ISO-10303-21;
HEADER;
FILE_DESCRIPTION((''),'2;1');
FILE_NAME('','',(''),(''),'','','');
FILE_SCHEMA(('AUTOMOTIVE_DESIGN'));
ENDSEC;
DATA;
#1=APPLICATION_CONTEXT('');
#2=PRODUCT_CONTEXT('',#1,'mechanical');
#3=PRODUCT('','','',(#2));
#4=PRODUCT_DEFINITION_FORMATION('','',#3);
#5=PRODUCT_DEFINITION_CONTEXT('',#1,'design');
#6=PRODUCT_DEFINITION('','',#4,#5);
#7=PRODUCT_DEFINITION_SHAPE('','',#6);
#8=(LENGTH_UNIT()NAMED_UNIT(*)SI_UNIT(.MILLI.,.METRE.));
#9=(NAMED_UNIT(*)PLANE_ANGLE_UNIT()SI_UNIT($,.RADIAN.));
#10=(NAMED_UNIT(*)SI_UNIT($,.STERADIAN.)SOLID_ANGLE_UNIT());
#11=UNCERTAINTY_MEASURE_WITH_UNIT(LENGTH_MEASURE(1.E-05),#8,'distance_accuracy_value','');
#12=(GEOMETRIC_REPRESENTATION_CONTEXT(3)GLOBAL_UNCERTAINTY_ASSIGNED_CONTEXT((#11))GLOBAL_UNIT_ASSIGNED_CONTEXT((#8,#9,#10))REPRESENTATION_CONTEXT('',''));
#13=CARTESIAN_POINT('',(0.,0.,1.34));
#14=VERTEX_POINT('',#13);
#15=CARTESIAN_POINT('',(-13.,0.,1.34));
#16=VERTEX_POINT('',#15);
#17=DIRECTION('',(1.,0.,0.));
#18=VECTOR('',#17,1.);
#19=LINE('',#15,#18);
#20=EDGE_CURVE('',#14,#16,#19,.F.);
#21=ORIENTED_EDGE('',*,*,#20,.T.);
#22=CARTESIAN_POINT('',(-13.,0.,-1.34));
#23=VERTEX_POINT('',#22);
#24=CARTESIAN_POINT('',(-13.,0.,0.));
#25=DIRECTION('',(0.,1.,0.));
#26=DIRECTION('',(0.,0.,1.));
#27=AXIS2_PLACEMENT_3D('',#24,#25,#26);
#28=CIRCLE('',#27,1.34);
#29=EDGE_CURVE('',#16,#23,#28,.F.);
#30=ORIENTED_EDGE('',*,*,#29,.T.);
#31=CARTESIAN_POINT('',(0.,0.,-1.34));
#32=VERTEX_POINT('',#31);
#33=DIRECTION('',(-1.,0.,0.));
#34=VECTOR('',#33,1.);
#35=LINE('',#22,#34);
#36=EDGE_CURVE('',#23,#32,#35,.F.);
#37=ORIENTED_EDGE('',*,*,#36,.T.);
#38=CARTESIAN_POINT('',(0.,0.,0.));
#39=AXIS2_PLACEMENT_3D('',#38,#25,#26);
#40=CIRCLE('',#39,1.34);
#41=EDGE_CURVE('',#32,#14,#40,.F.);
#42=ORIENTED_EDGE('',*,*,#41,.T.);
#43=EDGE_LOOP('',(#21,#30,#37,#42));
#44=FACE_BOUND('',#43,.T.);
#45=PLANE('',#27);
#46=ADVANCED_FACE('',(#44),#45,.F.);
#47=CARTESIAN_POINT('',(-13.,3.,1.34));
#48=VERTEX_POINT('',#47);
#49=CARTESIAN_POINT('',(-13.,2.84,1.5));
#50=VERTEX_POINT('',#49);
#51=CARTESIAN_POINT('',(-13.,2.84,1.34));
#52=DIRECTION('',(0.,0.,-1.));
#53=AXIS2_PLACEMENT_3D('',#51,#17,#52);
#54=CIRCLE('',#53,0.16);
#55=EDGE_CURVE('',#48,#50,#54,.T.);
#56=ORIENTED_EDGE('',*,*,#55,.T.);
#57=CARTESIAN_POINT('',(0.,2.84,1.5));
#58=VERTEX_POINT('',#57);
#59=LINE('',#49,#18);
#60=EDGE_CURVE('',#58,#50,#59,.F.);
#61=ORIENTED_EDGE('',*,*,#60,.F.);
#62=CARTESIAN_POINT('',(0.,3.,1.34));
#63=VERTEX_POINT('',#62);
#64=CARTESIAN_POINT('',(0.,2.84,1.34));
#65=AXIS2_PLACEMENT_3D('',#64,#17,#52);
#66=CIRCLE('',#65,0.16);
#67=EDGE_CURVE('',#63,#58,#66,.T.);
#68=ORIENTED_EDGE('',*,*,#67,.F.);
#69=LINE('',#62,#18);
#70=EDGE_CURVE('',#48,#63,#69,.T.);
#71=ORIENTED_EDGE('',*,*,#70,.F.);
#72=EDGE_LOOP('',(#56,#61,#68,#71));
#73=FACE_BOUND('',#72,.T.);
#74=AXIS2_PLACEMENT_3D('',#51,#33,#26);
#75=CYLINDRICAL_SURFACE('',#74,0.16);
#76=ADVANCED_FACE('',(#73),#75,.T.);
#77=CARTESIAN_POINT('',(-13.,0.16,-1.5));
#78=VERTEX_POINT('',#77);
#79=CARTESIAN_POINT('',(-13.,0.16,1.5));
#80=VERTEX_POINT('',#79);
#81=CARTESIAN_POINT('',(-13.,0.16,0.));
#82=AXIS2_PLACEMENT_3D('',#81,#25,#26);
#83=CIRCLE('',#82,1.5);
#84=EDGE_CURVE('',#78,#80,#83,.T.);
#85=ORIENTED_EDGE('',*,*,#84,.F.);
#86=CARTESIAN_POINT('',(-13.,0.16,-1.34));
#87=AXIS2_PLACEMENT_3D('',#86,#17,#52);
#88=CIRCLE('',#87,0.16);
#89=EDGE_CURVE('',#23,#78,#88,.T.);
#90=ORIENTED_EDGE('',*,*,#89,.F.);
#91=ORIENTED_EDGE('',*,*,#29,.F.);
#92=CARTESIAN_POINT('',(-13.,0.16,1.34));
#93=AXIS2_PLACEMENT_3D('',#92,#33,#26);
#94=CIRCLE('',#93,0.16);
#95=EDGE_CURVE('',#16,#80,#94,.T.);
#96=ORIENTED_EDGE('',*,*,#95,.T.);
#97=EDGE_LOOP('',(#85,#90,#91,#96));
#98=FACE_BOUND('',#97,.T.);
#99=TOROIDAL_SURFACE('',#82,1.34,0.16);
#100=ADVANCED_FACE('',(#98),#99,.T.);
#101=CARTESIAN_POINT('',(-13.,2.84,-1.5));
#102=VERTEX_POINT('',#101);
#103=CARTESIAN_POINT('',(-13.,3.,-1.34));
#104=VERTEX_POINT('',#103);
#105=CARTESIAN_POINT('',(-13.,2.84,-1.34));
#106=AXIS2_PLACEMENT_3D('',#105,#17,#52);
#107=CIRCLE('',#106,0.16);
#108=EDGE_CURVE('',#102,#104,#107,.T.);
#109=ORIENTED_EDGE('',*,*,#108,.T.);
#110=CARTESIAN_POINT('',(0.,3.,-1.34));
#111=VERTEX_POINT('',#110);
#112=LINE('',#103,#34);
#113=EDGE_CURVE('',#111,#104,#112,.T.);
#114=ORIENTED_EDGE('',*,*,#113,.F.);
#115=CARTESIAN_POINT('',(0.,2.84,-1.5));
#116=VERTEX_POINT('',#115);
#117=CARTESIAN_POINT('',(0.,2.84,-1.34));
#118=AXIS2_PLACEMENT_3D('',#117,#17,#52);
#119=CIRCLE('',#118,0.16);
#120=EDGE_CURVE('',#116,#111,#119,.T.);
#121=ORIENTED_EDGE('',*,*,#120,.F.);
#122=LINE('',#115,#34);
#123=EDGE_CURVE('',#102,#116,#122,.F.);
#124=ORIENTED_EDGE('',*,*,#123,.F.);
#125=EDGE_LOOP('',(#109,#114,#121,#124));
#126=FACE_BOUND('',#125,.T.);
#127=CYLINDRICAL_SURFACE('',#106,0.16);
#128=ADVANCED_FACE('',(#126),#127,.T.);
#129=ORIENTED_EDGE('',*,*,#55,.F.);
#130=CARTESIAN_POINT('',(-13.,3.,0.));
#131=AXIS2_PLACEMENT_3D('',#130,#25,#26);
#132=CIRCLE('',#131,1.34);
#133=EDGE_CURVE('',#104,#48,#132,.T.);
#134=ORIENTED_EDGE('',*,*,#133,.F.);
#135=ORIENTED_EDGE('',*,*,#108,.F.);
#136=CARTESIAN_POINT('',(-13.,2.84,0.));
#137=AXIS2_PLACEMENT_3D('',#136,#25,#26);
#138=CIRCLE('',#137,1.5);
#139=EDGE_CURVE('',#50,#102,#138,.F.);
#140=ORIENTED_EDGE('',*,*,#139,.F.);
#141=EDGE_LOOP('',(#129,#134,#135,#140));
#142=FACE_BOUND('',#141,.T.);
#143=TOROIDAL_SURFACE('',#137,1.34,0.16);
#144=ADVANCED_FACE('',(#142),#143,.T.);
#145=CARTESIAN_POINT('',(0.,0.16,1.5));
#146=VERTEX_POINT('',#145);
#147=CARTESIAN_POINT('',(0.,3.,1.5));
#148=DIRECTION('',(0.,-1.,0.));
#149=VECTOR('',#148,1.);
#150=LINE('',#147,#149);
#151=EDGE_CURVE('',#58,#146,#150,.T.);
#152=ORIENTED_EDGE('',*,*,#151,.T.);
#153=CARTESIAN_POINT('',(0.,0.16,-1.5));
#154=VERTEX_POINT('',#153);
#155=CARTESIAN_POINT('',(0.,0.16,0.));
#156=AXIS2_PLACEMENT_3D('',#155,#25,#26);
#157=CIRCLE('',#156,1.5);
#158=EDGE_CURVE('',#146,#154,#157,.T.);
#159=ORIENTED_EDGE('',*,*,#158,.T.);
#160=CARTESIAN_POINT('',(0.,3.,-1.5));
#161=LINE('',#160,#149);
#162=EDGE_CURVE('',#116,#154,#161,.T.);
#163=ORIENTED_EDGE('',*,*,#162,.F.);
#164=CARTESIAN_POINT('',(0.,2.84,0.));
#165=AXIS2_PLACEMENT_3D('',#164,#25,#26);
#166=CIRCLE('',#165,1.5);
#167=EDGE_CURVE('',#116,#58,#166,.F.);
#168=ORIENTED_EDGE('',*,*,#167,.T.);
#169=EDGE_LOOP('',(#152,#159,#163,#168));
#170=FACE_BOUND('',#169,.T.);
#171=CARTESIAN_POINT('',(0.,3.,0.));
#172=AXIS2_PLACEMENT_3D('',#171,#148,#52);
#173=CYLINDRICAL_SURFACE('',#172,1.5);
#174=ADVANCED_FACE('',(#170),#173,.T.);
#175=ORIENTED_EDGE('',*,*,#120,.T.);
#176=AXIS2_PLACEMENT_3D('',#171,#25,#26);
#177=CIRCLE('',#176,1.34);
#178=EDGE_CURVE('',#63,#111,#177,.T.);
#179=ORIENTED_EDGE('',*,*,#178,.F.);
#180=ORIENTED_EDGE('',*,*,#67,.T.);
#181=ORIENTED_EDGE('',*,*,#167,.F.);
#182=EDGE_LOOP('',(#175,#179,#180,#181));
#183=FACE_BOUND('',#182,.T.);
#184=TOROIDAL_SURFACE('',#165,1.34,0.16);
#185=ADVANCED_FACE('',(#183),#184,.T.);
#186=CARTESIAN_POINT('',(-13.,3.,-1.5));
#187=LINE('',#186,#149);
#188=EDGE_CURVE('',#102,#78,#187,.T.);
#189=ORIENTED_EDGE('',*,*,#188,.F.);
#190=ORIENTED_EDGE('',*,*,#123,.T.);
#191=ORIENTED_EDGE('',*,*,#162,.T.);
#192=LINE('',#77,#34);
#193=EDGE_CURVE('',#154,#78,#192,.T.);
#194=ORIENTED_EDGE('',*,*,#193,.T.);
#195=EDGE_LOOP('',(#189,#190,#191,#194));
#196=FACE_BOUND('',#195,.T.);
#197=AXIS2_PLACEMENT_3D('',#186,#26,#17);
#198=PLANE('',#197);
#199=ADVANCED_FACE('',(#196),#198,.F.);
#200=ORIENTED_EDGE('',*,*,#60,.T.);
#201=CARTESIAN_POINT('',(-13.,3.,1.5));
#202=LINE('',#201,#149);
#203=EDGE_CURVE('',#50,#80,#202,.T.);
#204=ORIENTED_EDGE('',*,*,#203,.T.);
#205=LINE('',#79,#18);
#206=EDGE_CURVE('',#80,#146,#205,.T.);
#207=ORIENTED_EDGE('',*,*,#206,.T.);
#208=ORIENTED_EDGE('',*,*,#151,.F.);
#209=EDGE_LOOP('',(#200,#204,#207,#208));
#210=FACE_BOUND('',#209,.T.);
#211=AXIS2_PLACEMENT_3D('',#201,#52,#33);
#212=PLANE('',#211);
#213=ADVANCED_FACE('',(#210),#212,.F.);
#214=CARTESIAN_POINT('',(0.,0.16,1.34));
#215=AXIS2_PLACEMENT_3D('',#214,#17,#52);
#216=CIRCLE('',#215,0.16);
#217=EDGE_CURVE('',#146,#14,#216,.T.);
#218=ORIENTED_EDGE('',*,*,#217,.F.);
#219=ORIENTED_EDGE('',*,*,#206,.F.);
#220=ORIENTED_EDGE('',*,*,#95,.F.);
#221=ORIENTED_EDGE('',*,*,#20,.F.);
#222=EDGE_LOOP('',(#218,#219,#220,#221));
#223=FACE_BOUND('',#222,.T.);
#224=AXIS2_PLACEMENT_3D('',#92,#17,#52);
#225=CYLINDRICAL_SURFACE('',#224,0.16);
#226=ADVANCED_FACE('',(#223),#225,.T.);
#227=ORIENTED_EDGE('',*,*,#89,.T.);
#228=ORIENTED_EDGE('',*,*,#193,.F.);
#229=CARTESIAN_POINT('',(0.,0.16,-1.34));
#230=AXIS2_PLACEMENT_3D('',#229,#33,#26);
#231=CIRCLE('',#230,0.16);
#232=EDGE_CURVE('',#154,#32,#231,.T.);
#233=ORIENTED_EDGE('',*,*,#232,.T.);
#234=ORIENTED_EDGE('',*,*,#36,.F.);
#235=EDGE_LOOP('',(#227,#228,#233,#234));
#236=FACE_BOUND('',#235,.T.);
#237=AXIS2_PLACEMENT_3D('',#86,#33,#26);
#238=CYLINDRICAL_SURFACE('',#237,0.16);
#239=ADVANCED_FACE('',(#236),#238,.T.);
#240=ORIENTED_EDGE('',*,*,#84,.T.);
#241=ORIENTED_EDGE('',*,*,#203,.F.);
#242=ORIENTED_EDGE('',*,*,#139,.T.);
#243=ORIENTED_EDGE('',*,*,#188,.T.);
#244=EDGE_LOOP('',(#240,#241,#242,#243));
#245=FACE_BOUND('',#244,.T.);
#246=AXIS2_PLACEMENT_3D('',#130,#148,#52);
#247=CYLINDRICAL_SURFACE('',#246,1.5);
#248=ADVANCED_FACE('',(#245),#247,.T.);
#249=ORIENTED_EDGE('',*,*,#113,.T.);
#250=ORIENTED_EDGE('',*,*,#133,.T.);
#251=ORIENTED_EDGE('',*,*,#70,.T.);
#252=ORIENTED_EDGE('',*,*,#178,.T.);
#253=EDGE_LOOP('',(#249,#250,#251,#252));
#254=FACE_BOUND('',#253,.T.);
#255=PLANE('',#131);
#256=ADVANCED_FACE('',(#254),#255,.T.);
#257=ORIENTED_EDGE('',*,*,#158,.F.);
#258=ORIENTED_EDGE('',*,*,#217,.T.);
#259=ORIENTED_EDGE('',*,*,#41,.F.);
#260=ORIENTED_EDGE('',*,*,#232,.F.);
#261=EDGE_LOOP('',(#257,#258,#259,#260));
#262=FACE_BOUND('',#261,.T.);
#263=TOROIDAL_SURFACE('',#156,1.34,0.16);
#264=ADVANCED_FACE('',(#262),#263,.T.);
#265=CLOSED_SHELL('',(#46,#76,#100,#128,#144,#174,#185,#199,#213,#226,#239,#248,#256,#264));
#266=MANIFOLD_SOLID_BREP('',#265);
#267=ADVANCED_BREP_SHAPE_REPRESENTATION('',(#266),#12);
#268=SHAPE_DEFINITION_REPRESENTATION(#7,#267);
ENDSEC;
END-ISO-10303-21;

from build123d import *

# Parameters (mm, degrees)
EXTRUDE1_DEPTH = 3
FILLET1_R      = 0.16


with BuildPart() as part:
    # Sketch1 → Extrude1 (new body)
    with BuildSketch(Plane(origin=(0, 0, 0), x_dir=(1, 0, 0), z_dir=(0, 1, 0))):
        with BuildLine():
            Line((-13, 1.5), (0, 1.5))
            ThreePointArc((0, 1.5), (1.5, 0), (0, -1.5))
            Line((0, -1.5), (-13, -1.5))
            ThreePointArc((-13, -1.5), (-14.5, 0), (-13, 1.5))
        make_face()
    extrude(amount=EXTRUDE1_DEPTH)

    # Fillet1
    fillet1_edges = [part.edges().sort_by_distance(p)[0] for p in [
        (1.5, 3, 0),
        (-6.5, 3, -1.5),
        (-14.5, 3, 0),
        (-6.5, 0, -1.5),
        (1.5, 0, 0),
        (-6.5, 0, 1.5),
        (-14.5, 0, 0),
        (-6.5, 3, 1.5),
    ]]
    fillet(fillet1_edges, radius=FILLET1_R)


solid = part.part
